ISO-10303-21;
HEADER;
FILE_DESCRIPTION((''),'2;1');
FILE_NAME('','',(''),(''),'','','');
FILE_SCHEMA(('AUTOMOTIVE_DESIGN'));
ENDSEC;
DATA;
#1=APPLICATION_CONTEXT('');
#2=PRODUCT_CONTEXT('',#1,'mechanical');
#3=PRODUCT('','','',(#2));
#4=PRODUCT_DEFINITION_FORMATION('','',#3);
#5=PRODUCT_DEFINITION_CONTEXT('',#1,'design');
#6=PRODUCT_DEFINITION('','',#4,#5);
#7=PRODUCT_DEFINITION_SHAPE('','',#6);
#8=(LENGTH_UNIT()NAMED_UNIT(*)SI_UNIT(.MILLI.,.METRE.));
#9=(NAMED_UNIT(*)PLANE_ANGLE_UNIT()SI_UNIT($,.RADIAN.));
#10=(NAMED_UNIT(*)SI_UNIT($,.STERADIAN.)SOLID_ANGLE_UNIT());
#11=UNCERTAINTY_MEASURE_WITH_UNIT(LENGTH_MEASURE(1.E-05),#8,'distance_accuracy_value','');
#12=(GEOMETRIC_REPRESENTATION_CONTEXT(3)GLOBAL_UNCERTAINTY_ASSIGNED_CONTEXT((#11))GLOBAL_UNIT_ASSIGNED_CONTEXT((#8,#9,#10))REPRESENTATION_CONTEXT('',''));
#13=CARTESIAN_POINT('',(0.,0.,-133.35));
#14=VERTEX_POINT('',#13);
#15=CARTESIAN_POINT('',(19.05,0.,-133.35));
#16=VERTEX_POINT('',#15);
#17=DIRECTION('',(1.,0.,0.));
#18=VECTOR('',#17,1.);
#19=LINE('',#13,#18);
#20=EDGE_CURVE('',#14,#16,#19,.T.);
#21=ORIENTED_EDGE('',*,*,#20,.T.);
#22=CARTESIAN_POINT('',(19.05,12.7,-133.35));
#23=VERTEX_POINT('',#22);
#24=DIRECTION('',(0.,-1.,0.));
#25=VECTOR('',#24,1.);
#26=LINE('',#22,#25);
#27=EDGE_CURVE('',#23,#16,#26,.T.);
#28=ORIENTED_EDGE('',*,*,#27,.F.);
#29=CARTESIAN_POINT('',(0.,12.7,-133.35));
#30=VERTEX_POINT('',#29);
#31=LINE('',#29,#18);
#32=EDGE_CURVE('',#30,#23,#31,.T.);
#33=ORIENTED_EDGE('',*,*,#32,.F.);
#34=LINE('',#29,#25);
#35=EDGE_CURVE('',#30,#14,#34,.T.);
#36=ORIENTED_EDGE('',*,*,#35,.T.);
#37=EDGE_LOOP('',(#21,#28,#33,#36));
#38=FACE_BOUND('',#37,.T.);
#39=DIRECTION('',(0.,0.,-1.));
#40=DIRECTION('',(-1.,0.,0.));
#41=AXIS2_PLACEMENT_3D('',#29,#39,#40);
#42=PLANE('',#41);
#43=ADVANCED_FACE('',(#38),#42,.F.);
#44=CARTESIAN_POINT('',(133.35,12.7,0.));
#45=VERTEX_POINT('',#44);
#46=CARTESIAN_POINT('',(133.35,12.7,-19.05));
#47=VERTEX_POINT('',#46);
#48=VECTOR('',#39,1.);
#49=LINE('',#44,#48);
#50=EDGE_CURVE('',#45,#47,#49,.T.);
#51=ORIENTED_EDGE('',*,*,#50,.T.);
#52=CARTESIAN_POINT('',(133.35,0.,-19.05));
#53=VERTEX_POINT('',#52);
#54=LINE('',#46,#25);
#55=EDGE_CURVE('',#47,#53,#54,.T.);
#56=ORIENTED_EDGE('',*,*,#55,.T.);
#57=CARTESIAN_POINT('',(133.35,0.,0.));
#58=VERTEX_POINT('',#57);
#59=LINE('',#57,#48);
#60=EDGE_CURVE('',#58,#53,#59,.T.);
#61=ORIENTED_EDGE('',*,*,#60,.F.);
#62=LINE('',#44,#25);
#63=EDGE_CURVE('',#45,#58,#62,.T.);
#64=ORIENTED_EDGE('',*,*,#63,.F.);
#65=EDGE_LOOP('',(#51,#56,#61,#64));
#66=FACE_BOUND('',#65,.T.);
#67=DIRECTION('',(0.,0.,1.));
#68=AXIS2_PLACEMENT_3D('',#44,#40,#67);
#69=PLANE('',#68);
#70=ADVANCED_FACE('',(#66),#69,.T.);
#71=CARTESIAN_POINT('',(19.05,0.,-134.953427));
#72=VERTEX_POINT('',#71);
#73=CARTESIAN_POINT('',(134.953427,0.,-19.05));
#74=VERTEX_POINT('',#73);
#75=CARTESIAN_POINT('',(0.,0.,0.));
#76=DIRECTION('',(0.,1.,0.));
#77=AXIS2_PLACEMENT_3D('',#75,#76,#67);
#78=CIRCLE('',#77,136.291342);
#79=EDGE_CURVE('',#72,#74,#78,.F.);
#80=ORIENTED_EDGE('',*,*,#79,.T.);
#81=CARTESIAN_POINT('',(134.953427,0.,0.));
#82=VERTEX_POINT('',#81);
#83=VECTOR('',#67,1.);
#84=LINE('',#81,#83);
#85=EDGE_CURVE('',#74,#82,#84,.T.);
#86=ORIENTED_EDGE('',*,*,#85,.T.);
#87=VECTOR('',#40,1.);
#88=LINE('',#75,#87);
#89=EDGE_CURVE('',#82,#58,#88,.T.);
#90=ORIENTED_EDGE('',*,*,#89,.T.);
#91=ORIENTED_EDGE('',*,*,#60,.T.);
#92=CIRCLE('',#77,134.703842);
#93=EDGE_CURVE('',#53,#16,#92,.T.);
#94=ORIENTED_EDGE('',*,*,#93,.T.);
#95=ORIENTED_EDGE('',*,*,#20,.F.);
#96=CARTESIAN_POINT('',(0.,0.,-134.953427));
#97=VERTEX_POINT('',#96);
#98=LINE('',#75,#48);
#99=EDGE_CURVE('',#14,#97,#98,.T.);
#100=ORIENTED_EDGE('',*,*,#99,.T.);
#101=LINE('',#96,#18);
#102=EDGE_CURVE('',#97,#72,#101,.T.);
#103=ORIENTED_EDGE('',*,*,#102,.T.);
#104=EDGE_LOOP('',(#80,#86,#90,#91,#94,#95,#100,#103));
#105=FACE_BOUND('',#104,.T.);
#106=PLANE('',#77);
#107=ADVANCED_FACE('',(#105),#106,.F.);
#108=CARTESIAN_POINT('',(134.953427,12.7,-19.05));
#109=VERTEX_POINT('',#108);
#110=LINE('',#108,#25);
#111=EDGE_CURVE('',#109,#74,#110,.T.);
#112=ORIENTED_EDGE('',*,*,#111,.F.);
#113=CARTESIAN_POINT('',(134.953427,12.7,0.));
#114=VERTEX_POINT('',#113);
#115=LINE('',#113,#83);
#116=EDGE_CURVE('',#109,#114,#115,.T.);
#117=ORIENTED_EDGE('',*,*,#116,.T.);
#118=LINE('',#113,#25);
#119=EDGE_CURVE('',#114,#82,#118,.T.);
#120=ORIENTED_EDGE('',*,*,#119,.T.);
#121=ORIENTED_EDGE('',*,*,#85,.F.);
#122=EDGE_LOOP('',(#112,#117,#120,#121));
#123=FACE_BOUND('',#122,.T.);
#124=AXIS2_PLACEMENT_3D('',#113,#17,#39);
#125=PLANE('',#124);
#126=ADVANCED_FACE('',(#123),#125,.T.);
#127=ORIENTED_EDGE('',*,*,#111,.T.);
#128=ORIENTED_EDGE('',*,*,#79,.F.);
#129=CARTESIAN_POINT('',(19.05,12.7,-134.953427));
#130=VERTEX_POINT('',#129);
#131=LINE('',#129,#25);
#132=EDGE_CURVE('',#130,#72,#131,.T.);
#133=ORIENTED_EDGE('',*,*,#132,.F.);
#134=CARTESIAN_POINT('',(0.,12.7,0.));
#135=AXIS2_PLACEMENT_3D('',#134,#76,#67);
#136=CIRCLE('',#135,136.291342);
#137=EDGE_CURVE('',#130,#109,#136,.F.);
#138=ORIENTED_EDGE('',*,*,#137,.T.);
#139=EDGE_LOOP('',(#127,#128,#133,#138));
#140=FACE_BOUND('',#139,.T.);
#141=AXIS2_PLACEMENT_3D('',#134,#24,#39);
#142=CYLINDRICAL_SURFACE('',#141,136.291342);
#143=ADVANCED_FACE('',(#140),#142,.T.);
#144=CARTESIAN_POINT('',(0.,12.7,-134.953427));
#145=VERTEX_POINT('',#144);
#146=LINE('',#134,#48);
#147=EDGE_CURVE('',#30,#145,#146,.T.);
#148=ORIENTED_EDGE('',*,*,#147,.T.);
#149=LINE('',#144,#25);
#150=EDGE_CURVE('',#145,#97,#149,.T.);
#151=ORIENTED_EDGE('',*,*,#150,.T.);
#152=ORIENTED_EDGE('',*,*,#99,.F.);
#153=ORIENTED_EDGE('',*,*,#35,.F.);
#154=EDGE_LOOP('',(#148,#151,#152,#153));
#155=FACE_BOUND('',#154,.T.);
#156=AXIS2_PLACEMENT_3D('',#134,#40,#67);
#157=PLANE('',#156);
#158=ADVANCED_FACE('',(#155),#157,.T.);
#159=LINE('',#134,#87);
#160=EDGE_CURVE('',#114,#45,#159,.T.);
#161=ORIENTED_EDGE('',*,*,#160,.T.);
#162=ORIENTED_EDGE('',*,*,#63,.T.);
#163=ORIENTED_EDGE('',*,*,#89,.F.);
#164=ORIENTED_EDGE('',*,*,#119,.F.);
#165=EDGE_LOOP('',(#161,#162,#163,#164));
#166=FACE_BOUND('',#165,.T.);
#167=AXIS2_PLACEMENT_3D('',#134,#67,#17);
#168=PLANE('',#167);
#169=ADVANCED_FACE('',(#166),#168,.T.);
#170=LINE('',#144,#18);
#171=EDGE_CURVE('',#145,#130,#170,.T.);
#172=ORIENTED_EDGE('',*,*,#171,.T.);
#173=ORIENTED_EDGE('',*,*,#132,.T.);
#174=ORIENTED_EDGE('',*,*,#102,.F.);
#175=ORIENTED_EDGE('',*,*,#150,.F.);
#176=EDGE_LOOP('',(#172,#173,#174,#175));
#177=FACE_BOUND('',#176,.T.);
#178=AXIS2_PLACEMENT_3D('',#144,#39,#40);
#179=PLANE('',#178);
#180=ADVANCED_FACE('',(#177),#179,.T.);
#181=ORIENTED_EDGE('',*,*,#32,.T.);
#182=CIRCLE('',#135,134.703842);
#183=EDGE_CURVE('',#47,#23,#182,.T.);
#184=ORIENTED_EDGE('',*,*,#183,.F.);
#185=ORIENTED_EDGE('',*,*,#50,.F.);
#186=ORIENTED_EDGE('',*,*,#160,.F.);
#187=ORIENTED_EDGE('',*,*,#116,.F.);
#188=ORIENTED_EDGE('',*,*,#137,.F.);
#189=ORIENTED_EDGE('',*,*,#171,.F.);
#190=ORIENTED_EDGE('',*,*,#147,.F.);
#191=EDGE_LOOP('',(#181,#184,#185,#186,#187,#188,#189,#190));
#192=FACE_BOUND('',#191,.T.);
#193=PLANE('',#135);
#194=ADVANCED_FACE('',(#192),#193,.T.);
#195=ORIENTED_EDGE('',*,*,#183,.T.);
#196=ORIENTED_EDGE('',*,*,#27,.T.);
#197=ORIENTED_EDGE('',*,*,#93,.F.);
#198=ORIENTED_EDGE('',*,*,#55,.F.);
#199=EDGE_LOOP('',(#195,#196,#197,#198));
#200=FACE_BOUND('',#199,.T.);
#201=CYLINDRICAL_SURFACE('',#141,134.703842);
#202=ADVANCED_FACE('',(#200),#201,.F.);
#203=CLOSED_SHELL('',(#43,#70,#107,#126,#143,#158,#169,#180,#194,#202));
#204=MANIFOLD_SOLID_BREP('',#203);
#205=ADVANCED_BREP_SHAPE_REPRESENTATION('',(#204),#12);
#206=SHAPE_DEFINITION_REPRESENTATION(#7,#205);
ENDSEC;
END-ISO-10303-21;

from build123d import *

# Parameters (mm, degrees)
BOSS_EXTRUDE1_DEPTH = 12.7


with BuildPart() as part:
    # Sketch1 → Boss-Extrude1 (new body)
    with BuildSketch(Plane(origin=(0, 0, 0), x_dir=(1, 0, 0), z_dir=(0, 1, 0))):
        with BuildLine():
            ThreePointArc((19.05, 134.953426611), (96.372532015, 96.372532015), (134.953426611, 19.05))
            Line((134.953426611, 19.05), (134.953426611, 0))
            Line((134.953426611, 0), (133.35, 0))
            Line((133.35, 0), (133.35, 19.05))
            ThreePointArc((133.35, 19.05), (95.25, 95.25), (19.05, 133.35))
            Line((19.05, 133.35), (0, 133.35))
            Line((0, 133.35), (0, 134.953426611))
            Line((0, 134.953426611), (19.05, 134.953426611))
        make_face()
    extrude(amount=BOSS_EXTRUDE1_DEPTH)


solid = part.part
